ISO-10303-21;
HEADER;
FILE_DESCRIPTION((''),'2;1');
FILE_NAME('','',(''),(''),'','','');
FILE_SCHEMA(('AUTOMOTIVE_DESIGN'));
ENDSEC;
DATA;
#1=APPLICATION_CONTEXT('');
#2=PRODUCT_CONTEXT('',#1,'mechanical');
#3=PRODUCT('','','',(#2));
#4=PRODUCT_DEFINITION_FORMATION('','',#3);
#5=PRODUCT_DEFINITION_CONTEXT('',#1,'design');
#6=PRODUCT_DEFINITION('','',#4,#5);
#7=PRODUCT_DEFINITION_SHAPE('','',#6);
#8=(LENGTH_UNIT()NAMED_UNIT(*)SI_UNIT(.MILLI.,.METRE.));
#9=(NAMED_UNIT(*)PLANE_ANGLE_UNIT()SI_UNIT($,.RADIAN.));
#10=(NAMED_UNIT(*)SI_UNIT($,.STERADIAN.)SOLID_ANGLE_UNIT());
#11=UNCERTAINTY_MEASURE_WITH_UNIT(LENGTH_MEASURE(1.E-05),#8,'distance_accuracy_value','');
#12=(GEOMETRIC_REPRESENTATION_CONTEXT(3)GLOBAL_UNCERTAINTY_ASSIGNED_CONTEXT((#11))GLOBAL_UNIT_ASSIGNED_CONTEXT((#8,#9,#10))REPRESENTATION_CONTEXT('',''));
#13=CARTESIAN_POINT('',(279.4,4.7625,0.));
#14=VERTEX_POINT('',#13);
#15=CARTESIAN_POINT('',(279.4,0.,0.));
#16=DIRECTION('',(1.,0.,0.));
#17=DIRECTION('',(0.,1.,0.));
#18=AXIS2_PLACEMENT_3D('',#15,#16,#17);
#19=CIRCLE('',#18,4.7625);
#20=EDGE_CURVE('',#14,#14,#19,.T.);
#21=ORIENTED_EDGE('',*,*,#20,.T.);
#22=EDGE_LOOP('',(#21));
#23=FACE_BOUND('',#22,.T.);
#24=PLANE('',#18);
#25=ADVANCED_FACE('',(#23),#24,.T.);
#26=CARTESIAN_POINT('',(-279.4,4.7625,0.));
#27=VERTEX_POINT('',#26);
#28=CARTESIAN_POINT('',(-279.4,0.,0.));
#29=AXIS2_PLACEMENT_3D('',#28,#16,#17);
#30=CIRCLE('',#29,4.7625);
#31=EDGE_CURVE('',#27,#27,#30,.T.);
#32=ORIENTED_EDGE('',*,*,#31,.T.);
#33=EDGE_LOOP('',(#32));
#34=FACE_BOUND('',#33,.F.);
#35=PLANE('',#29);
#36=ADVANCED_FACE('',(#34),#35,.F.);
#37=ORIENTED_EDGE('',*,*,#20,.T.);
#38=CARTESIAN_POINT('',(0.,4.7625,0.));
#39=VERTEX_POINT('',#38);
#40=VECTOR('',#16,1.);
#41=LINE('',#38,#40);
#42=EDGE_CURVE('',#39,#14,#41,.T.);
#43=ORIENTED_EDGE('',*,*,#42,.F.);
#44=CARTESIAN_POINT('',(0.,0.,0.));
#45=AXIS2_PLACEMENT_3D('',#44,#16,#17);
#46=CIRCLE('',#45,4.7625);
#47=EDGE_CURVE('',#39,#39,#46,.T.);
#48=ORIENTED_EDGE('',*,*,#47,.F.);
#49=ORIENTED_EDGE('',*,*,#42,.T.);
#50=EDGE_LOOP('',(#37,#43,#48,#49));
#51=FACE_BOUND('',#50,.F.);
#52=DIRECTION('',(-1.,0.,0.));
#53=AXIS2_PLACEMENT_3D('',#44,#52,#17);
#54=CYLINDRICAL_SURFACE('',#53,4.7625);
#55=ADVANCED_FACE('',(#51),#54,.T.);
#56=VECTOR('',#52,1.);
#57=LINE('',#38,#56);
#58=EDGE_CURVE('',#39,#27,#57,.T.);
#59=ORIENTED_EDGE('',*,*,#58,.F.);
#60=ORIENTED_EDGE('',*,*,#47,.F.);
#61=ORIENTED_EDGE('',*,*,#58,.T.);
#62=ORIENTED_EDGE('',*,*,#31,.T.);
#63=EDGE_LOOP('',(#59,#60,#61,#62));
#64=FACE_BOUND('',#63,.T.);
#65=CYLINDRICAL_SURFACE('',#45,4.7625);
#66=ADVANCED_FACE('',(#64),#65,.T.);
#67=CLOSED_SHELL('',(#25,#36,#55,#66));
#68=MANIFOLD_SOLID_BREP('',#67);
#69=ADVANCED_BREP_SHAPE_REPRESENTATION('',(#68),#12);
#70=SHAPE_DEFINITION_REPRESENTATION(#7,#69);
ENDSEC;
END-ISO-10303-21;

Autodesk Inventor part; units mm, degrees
ref_plane "YZ Plane" through (0, 0, 0) normal (1, 0, 0) x (0, 1, 0)
ref_plane "XZ Plane" through (0, 0, 0) normal (0, 1, 0) x (-1, 0, 0)
ref_plane "XY Plane" through (0, 0, 0) normal (0, 0, 1) x (1, 0, 0)
sketch "Sketch1" plane through (0, 0, 0) normal (1, 0, 0) x (0, 1, 0)
  circle A0 centre (0, 0) radius 4.7625
  dimension "d0" = 9.525
extrude "Extrusion1" add sketch "Sketch1" along normal mid plane 558.8
properties part number "LiftSupportRod" material "Steel"
